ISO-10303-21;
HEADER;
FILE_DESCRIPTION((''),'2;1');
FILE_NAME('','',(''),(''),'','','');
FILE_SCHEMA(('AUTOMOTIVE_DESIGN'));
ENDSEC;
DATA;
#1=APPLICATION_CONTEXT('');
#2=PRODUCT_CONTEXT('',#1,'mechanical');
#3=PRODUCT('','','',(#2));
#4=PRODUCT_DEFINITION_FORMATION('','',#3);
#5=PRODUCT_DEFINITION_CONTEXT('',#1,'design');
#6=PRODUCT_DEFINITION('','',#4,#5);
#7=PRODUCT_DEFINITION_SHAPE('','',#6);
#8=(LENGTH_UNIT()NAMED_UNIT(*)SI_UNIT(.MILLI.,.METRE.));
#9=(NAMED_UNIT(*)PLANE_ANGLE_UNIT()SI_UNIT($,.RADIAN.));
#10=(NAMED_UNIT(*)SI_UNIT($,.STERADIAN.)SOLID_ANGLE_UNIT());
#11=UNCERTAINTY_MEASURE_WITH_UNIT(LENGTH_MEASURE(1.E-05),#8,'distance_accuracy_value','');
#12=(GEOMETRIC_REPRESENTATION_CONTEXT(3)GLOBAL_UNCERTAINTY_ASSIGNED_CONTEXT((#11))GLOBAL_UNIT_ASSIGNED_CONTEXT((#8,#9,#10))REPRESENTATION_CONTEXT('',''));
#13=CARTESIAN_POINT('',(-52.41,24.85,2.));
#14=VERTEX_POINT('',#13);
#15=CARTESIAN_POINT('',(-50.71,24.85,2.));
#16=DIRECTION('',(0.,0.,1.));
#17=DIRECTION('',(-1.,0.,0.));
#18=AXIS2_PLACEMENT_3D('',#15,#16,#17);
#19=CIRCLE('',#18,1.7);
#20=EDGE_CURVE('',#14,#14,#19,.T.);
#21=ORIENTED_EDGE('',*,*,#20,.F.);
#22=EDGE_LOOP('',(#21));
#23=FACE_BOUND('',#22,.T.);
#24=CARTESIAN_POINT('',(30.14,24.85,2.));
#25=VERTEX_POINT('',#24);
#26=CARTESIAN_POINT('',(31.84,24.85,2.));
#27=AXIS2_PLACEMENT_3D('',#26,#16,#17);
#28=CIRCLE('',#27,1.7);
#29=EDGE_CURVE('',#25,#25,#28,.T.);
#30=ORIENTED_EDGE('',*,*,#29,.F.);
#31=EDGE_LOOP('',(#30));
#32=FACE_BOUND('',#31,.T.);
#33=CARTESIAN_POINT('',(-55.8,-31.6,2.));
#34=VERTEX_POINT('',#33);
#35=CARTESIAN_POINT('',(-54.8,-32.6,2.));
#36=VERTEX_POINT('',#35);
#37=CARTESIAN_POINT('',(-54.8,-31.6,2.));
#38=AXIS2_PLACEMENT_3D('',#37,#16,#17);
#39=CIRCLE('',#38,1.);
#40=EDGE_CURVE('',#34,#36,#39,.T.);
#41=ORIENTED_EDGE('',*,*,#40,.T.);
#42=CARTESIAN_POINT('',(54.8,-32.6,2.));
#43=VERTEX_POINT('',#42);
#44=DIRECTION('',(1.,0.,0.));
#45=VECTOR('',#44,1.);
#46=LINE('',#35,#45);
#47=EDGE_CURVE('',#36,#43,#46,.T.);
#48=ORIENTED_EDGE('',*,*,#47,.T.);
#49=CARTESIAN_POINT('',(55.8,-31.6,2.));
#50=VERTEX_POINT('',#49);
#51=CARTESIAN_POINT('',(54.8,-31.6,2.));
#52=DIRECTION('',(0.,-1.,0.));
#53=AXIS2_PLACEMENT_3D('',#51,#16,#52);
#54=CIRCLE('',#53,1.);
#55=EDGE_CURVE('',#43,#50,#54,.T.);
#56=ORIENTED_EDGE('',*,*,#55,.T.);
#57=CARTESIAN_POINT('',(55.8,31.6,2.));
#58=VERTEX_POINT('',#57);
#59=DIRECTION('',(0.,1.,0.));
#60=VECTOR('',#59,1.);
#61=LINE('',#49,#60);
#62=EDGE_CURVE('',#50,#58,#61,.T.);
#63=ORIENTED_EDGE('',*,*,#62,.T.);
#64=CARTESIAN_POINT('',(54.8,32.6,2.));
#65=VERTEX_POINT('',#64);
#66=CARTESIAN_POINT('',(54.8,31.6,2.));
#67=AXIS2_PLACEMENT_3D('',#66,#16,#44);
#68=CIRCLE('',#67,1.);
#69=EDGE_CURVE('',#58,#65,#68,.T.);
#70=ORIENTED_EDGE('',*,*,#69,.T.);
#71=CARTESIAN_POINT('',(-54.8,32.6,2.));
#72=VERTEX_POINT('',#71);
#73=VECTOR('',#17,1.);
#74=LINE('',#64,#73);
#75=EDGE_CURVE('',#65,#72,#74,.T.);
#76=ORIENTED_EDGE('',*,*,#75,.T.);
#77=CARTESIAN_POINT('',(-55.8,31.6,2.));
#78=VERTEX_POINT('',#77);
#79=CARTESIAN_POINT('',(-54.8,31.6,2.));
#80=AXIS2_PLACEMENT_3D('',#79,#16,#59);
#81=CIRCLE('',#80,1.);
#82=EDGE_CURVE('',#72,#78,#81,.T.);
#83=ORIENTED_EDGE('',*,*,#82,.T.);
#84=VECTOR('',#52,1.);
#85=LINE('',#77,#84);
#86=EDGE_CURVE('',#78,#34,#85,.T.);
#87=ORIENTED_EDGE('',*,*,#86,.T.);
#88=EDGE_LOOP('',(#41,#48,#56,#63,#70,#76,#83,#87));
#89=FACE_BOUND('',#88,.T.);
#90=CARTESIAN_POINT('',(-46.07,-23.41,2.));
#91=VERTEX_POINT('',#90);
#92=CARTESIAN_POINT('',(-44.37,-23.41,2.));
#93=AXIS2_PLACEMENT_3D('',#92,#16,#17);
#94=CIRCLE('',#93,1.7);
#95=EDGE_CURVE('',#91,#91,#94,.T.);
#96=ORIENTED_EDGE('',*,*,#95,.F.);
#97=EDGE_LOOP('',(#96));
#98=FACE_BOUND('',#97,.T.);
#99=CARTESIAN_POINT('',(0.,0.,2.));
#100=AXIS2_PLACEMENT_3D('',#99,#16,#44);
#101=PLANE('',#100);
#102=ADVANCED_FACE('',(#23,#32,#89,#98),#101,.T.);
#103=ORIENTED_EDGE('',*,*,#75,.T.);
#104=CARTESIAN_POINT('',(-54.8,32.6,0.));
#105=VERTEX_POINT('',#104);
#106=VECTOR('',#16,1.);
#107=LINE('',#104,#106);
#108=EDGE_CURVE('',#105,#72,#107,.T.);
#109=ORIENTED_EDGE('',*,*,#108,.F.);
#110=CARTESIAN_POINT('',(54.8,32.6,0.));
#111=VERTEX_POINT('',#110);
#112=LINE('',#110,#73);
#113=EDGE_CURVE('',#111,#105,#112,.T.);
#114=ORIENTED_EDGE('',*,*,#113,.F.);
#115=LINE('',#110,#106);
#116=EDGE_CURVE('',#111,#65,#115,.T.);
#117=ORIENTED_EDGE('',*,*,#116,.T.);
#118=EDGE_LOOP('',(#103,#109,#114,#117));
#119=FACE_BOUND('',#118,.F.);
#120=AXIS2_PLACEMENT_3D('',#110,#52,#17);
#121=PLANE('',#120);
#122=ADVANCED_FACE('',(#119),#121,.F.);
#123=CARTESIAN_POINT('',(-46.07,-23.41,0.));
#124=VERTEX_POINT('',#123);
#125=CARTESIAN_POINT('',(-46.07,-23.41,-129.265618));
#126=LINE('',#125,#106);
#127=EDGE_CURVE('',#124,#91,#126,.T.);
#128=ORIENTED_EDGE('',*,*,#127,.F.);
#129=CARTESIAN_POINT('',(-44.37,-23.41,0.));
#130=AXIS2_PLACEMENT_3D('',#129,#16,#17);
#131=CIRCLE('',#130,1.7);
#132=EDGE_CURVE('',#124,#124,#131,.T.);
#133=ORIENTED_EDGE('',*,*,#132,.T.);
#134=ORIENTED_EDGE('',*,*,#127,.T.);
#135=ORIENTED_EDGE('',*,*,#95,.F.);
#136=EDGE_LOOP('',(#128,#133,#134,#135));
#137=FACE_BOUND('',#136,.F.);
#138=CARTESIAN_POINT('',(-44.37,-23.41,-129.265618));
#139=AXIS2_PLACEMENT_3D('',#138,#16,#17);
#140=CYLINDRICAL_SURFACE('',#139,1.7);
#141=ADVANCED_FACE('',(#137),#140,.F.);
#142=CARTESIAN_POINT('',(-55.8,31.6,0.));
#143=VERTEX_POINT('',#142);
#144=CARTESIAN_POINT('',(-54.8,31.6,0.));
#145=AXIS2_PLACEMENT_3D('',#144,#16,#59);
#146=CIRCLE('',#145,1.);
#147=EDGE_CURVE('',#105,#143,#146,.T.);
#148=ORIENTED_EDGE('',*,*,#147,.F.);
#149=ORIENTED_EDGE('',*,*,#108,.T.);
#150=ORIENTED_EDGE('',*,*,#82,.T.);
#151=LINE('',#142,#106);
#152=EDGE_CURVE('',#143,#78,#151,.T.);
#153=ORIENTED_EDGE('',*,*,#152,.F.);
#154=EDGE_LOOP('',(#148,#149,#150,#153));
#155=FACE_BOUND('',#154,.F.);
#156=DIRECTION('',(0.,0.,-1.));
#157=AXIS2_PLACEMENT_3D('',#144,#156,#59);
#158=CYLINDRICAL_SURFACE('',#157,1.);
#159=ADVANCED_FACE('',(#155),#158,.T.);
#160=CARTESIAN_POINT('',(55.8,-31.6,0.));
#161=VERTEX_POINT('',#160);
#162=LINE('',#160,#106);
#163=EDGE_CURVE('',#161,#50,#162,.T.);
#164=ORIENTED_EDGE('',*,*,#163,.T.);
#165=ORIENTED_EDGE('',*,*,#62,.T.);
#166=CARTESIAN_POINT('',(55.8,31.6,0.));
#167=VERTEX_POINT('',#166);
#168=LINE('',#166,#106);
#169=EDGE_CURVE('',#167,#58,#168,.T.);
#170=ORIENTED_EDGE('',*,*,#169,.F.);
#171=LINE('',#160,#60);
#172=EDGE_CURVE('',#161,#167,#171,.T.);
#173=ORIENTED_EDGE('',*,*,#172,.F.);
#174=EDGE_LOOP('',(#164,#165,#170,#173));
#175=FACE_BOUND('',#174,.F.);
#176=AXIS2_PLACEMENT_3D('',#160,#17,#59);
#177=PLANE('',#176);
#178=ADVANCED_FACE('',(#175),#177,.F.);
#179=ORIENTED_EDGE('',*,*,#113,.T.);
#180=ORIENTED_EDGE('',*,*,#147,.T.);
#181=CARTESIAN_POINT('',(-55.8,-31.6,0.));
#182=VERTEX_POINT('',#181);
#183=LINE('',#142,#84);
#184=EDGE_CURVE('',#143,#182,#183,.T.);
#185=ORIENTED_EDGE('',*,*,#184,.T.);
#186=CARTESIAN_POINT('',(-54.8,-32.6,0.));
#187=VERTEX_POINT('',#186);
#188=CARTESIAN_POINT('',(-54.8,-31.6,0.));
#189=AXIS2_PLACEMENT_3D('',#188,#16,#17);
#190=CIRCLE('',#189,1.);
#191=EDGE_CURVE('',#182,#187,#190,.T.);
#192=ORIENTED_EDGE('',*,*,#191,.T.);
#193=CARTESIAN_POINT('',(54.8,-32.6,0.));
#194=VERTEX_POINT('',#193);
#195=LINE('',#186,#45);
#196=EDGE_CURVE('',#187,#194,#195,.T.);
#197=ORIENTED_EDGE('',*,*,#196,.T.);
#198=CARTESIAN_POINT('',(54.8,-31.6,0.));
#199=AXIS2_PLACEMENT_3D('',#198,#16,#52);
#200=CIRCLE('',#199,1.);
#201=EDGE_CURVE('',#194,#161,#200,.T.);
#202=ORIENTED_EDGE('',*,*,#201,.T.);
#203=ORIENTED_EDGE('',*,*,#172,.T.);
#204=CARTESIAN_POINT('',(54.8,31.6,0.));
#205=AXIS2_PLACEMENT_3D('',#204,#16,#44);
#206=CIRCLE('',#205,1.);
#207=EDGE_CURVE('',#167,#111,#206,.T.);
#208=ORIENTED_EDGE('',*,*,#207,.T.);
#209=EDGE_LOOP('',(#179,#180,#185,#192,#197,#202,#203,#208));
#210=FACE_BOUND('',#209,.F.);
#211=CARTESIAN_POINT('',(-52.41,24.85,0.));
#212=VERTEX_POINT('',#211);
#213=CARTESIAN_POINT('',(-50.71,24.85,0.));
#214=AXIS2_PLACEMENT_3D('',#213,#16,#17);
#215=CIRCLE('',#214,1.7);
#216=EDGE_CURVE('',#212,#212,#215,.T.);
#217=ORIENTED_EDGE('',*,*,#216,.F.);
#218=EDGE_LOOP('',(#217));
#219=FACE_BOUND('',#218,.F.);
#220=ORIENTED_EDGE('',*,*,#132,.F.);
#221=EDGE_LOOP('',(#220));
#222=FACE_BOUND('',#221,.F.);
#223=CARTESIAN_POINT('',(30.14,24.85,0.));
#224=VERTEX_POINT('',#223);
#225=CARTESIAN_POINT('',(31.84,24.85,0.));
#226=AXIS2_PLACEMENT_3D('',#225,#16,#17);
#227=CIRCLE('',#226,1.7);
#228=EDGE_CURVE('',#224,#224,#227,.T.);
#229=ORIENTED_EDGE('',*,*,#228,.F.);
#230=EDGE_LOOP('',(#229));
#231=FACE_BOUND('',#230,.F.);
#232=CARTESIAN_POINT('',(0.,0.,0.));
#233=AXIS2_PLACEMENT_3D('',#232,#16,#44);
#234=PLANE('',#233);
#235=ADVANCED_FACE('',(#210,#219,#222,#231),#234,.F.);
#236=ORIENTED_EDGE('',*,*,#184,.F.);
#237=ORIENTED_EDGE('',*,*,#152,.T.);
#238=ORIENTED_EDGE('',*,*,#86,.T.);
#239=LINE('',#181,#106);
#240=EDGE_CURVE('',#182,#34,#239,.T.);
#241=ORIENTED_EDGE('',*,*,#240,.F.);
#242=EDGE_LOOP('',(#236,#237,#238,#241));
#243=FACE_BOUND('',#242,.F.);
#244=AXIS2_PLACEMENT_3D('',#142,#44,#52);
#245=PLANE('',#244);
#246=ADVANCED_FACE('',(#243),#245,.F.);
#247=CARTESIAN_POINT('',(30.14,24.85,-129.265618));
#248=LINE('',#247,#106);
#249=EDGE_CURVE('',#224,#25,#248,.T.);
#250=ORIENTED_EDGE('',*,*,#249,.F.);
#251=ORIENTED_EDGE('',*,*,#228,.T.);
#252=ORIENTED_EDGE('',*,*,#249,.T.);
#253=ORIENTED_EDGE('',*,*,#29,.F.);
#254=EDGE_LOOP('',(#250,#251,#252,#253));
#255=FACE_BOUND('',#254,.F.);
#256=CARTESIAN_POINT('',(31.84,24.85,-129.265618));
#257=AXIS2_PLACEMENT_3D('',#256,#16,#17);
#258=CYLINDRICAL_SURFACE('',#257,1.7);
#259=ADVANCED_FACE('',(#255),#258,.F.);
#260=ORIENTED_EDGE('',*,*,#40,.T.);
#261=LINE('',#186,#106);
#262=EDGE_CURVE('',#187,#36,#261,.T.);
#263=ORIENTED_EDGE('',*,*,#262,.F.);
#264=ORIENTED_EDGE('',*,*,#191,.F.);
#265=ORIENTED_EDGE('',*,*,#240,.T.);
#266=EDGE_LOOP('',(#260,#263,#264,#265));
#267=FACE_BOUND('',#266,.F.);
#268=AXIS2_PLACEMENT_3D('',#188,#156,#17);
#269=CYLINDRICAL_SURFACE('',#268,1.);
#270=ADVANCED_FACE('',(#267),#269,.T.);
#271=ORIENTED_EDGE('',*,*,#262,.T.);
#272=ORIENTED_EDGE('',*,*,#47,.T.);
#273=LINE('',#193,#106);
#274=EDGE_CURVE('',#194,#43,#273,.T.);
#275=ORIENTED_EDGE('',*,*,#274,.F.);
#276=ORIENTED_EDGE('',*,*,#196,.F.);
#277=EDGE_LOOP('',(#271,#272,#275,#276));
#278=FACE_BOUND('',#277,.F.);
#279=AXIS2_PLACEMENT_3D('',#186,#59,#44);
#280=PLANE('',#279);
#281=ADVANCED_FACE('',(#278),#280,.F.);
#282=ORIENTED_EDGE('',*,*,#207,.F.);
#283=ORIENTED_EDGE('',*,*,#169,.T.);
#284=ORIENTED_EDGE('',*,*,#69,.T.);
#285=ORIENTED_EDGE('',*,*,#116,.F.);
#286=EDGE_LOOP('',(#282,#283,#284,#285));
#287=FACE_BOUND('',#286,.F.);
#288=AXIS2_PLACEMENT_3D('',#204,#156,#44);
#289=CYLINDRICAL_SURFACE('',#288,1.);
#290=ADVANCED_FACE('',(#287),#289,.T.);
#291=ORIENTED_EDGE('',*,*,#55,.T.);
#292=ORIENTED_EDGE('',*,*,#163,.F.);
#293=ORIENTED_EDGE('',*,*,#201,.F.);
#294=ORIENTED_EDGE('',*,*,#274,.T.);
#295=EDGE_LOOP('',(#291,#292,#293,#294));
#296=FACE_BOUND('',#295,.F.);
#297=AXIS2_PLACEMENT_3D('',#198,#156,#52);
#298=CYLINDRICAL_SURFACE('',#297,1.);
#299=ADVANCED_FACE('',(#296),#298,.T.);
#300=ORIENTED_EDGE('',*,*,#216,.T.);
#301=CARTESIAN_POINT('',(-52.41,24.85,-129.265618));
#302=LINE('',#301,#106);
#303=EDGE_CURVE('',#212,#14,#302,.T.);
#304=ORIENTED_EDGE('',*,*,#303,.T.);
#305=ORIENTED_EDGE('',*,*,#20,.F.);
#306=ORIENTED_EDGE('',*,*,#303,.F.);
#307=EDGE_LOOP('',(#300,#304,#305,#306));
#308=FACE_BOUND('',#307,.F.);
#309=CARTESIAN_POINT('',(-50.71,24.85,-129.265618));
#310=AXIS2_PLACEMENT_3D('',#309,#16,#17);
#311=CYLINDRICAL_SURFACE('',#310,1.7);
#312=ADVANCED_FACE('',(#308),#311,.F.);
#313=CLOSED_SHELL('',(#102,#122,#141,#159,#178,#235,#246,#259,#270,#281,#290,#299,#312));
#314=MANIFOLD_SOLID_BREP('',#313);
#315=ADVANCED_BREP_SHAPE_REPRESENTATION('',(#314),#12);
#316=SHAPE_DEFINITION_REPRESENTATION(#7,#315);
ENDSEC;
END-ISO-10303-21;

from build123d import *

# Parameters (mm, degrees)
F1_DEPTH = 2
F2_D     = 3.4


with BuildPart() as f1:
    # F0 (on Top) → F1 (new body)
    with BuildSketch(Plane.XY):
        with BuildLine():
            Line((-54.8, -32.6), (54.8, -32.6))
            ThreePointArc((54.8, -32.6), (55.5071067812, -32.3071067812), (55.8, -31.6))
            Line((55.8, -31.6), (55.8, 31.6))
            ThreePointArc((55.8, 31.6), (55.5071067812, 32.3071067812), (54.8, 32.6))
            Line((54.8, 32.6), (-54.8, 32.6))
            ThreePointArc((-54.8, 32.6), (-55.5071067812, 32.3071067812), (-55.8, 31.6))
            Line((-55.8, 31.6), (-55.8, -31.6))
            ThreePointArc((-55.8, -31.6), (-55.5071067812, -32.3071067812), (-54.8, -32.6))
        make_face()
    extrude(amount=F1_DEPTH)

    # F2 (through all)
    with Locations(Plane(origin=(0, 0, 0), x_dir=(1, 0, 0), z_dir=(0, 0, -1))):
        with Locations((-50.71, -24.85), (-44.37, 23.41), (31.84, -24.85)):
            Hole(F2_D / 2)


solid = f1.part
